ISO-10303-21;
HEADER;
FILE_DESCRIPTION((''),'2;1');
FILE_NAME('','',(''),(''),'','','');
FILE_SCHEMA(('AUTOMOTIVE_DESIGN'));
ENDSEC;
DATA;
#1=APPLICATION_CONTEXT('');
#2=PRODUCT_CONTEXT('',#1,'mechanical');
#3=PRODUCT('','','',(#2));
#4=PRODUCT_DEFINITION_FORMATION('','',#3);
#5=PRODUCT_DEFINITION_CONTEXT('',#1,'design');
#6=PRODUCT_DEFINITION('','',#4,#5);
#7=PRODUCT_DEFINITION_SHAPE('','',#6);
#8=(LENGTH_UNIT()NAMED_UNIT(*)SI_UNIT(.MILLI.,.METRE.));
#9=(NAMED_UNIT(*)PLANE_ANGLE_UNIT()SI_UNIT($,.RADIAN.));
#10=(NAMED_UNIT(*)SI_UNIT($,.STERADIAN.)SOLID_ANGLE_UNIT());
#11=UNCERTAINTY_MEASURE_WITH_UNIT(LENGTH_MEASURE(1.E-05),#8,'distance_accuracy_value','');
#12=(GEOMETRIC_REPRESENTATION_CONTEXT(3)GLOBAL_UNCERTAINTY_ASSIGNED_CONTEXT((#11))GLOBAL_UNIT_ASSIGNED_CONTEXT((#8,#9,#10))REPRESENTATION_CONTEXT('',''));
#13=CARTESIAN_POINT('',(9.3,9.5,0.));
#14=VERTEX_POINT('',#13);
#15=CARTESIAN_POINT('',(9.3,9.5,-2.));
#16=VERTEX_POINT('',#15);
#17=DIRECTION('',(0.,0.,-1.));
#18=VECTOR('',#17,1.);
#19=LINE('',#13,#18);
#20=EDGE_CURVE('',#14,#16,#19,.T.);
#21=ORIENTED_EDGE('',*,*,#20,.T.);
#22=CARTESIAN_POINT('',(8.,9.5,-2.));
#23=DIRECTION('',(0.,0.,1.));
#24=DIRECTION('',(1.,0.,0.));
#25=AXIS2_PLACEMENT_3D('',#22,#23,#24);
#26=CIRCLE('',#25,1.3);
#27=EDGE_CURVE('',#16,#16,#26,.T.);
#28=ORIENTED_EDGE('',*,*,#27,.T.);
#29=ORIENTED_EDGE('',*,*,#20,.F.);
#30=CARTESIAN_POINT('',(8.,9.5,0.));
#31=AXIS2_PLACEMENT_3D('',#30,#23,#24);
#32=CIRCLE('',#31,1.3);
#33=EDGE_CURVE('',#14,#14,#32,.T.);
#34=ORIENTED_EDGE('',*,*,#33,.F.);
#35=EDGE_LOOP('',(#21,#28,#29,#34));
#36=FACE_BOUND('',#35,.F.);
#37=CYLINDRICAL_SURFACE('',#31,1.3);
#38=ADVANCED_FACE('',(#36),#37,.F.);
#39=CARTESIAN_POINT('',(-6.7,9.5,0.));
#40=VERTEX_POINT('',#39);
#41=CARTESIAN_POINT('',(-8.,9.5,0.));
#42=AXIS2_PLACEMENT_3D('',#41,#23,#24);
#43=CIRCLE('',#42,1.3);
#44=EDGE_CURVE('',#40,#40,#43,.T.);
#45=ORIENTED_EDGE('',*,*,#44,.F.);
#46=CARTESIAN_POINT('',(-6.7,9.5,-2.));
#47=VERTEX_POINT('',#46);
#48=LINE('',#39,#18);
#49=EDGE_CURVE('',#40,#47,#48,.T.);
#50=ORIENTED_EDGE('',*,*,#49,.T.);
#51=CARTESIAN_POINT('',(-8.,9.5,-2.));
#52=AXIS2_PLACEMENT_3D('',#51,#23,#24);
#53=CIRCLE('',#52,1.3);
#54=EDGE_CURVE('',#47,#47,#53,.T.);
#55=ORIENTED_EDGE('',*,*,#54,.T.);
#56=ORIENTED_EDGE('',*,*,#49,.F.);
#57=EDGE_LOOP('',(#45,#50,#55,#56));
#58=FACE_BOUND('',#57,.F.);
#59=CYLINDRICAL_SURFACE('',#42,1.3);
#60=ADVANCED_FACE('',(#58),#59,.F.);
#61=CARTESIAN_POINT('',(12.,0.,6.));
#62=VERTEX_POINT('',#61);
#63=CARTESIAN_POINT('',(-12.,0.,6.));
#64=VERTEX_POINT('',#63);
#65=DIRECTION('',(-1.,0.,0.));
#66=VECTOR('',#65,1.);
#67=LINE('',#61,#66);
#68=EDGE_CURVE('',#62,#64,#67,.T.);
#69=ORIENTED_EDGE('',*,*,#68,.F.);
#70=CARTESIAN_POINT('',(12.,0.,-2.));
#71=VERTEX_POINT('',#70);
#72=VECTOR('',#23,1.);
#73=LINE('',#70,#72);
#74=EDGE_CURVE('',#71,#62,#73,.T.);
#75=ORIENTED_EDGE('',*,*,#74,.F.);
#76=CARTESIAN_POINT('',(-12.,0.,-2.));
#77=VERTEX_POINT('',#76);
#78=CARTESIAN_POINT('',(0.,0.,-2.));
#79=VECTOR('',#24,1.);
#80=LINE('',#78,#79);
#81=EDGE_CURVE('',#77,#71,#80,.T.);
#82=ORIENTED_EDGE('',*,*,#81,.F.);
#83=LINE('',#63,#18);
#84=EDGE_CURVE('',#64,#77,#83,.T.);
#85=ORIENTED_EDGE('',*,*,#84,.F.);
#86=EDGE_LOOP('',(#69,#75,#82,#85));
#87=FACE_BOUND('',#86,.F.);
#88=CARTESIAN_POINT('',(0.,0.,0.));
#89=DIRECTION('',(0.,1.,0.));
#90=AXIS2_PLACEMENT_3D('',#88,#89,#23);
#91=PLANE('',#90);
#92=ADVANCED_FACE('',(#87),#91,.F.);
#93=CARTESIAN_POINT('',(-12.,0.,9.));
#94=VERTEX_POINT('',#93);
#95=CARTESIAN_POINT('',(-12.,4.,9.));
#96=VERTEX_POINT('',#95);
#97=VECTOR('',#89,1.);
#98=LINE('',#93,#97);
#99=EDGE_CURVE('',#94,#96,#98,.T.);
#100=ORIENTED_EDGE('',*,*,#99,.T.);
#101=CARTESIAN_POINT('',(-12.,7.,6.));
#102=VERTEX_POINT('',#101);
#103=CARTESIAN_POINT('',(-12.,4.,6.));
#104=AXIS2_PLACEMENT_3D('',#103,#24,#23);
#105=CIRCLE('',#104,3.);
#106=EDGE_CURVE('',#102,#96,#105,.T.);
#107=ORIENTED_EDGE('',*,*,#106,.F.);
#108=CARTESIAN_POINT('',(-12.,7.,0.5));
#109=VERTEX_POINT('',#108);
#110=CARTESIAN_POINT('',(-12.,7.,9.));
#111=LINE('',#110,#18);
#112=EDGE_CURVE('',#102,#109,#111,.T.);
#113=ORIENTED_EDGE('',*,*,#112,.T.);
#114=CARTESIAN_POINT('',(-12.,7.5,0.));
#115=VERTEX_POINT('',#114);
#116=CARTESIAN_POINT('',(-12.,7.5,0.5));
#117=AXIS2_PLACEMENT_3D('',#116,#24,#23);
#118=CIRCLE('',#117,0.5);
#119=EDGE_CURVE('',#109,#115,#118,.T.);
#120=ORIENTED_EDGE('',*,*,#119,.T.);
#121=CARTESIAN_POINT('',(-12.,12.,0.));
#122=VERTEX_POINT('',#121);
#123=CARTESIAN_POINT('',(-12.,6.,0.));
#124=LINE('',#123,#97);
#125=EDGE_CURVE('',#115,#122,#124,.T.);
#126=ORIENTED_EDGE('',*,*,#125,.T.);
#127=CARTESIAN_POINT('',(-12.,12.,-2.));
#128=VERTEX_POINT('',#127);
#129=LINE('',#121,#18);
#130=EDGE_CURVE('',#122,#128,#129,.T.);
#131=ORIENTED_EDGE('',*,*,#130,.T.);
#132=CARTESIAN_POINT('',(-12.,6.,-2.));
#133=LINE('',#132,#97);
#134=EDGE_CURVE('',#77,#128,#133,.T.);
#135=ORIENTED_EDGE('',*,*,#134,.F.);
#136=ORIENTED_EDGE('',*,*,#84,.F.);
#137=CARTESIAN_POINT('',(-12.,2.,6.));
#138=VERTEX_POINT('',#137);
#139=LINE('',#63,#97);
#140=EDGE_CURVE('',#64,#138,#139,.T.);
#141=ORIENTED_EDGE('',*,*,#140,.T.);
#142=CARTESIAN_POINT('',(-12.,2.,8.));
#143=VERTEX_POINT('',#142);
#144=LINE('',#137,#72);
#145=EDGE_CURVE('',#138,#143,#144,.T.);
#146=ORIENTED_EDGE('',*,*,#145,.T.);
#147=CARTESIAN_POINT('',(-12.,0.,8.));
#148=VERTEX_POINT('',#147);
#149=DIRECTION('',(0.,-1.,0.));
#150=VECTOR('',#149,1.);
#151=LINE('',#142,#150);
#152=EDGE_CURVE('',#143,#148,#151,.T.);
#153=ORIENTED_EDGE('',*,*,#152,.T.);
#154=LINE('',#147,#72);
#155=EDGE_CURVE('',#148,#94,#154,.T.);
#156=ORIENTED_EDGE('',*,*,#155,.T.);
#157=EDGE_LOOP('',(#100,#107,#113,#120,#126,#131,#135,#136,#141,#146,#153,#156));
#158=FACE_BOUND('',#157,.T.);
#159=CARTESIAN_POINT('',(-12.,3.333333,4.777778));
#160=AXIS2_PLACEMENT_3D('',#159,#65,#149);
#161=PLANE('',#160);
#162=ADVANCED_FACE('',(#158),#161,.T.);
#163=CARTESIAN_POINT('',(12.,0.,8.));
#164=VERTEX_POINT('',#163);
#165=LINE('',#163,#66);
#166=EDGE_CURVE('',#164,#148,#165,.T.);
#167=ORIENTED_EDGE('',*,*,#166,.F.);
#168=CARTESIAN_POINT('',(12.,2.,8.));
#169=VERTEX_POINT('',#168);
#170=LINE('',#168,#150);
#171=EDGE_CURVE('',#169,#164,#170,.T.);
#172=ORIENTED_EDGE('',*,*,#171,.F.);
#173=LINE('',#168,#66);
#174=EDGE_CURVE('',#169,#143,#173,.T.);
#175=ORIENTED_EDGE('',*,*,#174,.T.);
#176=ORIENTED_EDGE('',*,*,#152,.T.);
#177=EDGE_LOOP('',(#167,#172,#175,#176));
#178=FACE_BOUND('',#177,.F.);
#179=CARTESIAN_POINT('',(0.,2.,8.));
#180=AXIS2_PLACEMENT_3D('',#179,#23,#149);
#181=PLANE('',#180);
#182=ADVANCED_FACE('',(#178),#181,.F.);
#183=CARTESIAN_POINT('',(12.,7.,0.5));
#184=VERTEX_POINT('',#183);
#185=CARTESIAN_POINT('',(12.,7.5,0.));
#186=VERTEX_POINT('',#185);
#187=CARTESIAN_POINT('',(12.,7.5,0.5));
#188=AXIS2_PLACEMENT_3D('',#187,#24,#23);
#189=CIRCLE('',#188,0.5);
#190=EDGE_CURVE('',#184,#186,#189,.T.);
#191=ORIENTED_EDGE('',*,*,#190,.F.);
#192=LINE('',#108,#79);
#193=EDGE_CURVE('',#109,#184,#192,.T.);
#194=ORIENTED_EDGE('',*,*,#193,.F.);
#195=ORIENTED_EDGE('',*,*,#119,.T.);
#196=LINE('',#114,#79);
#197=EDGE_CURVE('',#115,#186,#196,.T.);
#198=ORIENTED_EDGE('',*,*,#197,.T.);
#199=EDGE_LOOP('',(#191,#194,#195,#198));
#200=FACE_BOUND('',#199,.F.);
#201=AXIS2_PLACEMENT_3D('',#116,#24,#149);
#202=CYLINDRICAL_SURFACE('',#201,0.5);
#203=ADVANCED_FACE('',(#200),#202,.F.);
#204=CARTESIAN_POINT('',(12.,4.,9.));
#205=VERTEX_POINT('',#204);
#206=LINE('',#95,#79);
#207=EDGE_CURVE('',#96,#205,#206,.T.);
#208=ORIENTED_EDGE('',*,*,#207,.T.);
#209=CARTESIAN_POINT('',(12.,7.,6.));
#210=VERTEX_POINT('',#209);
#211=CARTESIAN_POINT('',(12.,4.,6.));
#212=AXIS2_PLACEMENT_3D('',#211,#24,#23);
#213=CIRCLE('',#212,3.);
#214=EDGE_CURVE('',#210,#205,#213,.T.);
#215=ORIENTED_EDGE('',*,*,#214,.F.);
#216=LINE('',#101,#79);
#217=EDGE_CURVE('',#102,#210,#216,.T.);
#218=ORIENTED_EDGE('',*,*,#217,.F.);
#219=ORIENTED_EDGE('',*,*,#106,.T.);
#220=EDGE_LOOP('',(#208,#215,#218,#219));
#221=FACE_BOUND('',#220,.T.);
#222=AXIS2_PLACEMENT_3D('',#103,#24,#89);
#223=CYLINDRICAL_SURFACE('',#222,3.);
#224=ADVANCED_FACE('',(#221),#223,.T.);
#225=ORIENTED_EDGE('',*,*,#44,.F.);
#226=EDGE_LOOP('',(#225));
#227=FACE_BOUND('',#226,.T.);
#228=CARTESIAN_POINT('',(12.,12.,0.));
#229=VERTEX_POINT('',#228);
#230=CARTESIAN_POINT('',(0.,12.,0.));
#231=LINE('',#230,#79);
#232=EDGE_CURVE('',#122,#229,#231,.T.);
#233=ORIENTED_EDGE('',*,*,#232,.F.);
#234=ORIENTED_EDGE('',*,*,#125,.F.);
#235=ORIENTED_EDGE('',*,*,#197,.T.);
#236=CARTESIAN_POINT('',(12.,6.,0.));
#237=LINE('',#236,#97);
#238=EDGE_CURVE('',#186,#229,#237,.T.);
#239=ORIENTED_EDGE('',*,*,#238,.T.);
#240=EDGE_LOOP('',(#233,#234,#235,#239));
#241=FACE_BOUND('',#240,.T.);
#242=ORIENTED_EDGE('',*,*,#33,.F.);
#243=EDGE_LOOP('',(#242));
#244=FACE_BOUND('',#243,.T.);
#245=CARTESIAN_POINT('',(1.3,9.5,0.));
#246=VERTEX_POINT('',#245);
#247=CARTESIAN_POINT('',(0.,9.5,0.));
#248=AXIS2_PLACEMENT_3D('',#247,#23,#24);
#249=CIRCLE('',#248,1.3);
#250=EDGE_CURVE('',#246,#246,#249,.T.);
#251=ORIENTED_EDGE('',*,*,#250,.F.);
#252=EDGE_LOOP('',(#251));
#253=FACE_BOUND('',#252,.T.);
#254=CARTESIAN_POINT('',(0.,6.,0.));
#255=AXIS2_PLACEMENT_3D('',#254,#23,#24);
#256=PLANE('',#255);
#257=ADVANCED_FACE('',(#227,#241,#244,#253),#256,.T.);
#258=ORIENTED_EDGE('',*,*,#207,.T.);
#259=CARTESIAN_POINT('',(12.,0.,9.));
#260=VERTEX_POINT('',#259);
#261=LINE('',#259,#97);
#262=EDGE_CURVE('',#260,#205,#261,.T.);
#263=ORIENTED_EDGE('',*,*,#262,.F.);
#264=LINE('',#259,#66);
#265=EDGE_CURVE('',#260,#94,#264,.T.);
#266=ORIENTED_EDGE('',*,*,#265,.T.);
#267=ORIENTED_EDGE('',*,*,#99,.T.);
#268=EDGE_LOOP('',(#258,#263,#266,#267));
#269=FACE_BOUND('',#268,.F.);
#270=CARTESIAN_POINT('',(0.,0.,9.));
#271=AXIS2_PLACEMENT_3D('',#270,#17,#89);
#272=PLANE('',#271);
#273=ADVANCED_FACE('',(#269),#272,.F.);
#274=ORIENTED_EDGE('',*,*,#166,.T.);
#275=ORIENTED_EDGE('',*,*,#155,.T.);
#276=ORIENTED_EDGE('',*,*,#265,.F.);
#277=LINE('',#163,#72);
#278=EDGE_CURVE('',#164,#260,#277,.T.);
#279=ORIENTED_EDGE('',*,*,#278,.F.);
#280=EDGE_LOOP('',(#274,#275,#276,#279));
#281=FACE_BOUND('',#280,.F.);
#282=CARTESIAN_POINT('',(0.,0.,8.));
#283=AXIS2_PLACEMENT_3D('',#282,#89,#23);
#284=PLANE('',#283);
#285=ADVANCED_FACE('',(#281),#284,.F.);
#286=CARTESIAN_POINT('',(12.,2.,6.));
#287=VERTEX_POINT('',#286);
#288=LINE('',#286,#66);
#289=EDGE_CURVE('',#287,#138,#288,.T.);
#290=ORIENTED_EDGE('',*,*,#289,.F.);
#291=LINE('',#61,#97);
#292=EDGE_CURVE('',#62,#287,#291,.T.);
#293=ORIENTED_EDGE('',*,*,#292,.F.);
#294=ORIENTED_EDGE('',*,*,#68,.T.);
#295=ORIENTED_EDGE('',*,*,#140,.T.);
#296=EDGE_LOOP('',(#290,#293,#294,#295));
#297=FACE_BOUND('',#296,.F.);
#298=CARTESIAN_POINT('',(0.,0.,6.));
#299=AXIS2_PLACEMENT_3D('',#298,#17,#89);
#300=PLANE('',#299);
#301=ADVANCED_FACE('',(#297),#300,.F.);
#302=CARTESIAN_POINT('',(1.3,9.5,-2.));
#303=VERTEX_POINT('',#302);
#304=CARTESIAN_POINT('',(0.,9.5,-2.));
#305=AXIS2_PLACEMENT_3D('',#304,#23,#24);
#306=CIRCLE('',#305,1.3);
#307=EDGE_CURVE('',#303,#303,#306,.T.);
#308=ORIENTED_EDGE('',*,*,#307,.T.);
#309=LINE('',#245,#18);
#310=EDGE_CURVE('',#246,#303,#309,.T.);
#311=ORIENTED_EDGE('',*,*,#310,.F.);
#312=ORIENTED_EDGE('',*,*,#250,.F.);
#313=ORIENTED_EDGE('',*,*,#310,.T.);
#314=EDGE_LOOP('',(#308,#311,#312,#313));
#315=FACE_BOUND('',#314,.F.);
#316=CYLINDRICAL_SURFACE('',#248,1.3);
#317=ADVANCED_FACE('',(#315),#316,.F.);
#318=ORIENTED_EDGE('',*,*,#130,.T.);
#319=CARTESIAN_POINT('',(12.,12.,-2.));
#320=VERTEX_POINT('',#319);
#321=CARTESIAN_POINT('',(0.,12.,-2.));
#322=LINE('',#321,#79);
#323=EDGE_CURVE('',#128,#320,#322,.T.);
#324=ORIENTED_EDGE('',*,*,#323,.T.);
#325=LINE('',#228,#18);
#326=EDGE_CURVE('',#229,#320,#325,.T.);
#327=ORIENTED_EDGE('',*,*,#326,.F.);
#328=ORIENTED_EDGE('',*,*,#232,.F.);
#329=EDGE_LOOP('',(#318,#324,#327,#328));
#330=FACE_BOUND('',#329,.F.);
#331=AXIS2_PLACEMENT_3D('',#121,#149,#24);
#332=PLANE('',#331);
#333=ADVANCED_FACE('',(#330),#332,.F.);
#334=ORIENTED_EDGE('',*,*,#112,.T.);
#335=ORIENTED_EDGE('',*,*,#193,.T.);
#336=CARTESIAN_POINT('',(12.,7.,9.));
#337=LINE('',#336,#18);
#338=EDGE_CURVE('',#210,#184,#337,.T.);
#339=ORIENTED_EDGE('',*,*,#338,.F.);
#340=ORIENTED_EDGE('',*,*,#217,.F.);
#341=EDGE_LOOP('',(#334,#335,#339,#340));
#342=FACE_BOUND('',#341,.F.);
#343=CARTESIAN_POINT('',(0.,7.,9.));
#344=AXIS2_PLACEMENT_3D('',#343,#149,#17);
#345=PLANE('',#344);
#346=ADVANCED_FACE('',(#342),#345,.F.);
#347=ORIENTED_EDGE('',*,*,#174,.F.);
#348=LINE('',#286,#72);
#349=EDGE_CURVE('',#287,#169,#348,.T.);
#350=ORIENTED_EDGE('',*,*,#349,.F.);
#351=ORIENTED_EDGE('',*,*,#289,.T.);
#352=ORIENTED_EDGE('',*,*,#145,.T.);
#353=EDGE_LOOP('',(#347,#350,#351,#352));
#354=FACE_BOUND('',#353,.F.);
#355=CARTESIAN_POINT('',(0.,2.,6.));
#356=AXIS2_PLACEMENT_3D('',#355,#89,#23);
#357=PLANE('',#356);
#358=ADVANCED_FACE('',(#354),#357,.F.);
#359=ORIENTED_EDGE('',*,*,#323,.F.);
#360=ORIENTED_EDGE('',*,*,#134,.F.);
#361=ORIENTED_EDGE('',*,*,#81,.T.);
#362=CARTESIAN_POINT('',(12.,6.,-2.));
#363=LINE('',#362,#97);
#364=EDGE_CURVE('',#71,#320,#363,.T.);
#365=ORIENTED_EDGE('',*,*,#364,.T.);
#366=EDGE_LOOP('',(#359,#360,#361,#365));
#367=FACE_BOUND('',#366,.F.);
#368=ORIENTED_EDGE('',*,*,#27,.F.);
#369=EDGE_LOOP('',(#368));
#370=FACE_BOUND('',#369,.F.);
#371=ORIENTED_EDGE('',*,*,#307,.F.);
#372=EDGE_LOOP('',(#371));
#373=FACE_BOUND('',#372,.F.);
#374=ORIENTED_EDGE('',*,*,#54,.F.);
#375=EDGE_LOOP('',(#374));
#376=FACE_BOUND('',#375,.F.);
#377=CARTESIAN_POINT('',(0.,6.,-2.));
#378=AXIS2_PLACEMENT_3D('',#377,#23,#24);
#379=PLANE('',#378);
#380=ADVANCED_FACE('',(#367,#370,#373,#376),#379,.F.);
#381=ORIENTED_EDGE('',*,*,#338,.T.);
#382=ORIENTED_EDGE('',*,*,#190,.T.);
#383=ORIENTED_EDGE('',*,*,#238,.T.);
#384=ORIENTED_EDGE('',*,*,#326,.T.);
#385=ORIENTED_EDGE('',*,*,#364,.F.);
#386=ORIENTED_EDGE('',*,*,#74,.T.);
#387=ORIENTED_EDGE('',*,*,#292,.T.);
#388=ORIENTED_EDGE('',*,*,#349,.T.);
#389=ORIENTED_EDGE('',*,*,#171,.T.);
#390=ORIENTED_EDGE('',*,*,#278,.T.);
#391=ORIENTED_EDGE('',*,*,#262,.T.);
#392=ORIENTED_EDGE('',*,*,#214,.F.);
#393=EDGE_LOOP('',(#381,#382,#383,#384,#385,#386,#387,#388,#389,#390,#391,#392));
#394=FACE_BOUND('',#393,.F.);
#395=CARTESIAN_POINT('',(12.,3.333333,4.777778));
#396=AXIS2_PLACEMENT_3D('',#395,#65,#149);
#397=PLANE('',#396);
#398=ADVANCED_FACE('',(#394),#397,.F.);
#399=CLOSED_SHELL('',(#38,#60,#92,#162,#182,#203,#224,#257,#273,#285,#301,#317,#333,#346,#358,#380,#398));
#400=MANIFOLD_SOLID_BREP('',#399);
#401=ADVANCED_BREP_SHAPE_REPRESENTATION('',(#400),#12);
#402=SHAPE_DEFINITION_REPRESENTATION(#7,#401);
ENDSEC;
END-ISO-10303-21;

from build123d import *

# Parameters (mm, degrees)
PAD001_DEPTH = 12
SKETCH_W     = 24
SKETCH_H     = 12
SKETCH_R     = 1.3
PAD_DEPTH    = 2
FILLET_R     = 3
FILLET001_R  = 0.5


with BuildPart() as pad001:
    # Sketch001 → Pad001 (new body, symmetric)
    with BuildSketch(Plane.YZ):
        Polygon((0, 0), (0, 6), (2, 6), (2, 8), (0, 8), (0, 9), (7, 9), (7, 0), align=None)
    extrude(amount=PAD001_DEPTH, both=True)


with BuildPart() as fillet001:
    # Sketch → Pad (new body)
    with BuildSketch(Plane.XY):
        with Locations((0, 6)):
            Rectangle(SKETCH_W, SKETCH_H)
        with Locations((-8, 9.5)):
            Circle(SKETCH_R, mode=Mode.SUBTRACT)
        with Locations((0, 9.5)):
            Circle(SKETCH_R, mode=Mode.SUBTRACT)
        with Locations((8, 9.5)):
            Circle(SKETCH_R, mode=Mode.SUBTRACT)
    extrude(amount=-PAD_DEPTH)

    # Fusion: union Pad001
    add(pad001.part)

    # Fillet
    fillet_edges = [fillet001.edges().sort_by_distance(p)[0] for p in [
        (0, 7, 9),
    ]]
    fillet(fillet_edges, radius=FILLET_R)

    # Fillet001
    fillet001_edges = [fillet001.edges().sort_by_distance(p)[0] for p in [
        (0, 7, 0),
    ]]
    fillet(fillet001_edges, radius=FILLET001_R)


solid = fillet001.part
